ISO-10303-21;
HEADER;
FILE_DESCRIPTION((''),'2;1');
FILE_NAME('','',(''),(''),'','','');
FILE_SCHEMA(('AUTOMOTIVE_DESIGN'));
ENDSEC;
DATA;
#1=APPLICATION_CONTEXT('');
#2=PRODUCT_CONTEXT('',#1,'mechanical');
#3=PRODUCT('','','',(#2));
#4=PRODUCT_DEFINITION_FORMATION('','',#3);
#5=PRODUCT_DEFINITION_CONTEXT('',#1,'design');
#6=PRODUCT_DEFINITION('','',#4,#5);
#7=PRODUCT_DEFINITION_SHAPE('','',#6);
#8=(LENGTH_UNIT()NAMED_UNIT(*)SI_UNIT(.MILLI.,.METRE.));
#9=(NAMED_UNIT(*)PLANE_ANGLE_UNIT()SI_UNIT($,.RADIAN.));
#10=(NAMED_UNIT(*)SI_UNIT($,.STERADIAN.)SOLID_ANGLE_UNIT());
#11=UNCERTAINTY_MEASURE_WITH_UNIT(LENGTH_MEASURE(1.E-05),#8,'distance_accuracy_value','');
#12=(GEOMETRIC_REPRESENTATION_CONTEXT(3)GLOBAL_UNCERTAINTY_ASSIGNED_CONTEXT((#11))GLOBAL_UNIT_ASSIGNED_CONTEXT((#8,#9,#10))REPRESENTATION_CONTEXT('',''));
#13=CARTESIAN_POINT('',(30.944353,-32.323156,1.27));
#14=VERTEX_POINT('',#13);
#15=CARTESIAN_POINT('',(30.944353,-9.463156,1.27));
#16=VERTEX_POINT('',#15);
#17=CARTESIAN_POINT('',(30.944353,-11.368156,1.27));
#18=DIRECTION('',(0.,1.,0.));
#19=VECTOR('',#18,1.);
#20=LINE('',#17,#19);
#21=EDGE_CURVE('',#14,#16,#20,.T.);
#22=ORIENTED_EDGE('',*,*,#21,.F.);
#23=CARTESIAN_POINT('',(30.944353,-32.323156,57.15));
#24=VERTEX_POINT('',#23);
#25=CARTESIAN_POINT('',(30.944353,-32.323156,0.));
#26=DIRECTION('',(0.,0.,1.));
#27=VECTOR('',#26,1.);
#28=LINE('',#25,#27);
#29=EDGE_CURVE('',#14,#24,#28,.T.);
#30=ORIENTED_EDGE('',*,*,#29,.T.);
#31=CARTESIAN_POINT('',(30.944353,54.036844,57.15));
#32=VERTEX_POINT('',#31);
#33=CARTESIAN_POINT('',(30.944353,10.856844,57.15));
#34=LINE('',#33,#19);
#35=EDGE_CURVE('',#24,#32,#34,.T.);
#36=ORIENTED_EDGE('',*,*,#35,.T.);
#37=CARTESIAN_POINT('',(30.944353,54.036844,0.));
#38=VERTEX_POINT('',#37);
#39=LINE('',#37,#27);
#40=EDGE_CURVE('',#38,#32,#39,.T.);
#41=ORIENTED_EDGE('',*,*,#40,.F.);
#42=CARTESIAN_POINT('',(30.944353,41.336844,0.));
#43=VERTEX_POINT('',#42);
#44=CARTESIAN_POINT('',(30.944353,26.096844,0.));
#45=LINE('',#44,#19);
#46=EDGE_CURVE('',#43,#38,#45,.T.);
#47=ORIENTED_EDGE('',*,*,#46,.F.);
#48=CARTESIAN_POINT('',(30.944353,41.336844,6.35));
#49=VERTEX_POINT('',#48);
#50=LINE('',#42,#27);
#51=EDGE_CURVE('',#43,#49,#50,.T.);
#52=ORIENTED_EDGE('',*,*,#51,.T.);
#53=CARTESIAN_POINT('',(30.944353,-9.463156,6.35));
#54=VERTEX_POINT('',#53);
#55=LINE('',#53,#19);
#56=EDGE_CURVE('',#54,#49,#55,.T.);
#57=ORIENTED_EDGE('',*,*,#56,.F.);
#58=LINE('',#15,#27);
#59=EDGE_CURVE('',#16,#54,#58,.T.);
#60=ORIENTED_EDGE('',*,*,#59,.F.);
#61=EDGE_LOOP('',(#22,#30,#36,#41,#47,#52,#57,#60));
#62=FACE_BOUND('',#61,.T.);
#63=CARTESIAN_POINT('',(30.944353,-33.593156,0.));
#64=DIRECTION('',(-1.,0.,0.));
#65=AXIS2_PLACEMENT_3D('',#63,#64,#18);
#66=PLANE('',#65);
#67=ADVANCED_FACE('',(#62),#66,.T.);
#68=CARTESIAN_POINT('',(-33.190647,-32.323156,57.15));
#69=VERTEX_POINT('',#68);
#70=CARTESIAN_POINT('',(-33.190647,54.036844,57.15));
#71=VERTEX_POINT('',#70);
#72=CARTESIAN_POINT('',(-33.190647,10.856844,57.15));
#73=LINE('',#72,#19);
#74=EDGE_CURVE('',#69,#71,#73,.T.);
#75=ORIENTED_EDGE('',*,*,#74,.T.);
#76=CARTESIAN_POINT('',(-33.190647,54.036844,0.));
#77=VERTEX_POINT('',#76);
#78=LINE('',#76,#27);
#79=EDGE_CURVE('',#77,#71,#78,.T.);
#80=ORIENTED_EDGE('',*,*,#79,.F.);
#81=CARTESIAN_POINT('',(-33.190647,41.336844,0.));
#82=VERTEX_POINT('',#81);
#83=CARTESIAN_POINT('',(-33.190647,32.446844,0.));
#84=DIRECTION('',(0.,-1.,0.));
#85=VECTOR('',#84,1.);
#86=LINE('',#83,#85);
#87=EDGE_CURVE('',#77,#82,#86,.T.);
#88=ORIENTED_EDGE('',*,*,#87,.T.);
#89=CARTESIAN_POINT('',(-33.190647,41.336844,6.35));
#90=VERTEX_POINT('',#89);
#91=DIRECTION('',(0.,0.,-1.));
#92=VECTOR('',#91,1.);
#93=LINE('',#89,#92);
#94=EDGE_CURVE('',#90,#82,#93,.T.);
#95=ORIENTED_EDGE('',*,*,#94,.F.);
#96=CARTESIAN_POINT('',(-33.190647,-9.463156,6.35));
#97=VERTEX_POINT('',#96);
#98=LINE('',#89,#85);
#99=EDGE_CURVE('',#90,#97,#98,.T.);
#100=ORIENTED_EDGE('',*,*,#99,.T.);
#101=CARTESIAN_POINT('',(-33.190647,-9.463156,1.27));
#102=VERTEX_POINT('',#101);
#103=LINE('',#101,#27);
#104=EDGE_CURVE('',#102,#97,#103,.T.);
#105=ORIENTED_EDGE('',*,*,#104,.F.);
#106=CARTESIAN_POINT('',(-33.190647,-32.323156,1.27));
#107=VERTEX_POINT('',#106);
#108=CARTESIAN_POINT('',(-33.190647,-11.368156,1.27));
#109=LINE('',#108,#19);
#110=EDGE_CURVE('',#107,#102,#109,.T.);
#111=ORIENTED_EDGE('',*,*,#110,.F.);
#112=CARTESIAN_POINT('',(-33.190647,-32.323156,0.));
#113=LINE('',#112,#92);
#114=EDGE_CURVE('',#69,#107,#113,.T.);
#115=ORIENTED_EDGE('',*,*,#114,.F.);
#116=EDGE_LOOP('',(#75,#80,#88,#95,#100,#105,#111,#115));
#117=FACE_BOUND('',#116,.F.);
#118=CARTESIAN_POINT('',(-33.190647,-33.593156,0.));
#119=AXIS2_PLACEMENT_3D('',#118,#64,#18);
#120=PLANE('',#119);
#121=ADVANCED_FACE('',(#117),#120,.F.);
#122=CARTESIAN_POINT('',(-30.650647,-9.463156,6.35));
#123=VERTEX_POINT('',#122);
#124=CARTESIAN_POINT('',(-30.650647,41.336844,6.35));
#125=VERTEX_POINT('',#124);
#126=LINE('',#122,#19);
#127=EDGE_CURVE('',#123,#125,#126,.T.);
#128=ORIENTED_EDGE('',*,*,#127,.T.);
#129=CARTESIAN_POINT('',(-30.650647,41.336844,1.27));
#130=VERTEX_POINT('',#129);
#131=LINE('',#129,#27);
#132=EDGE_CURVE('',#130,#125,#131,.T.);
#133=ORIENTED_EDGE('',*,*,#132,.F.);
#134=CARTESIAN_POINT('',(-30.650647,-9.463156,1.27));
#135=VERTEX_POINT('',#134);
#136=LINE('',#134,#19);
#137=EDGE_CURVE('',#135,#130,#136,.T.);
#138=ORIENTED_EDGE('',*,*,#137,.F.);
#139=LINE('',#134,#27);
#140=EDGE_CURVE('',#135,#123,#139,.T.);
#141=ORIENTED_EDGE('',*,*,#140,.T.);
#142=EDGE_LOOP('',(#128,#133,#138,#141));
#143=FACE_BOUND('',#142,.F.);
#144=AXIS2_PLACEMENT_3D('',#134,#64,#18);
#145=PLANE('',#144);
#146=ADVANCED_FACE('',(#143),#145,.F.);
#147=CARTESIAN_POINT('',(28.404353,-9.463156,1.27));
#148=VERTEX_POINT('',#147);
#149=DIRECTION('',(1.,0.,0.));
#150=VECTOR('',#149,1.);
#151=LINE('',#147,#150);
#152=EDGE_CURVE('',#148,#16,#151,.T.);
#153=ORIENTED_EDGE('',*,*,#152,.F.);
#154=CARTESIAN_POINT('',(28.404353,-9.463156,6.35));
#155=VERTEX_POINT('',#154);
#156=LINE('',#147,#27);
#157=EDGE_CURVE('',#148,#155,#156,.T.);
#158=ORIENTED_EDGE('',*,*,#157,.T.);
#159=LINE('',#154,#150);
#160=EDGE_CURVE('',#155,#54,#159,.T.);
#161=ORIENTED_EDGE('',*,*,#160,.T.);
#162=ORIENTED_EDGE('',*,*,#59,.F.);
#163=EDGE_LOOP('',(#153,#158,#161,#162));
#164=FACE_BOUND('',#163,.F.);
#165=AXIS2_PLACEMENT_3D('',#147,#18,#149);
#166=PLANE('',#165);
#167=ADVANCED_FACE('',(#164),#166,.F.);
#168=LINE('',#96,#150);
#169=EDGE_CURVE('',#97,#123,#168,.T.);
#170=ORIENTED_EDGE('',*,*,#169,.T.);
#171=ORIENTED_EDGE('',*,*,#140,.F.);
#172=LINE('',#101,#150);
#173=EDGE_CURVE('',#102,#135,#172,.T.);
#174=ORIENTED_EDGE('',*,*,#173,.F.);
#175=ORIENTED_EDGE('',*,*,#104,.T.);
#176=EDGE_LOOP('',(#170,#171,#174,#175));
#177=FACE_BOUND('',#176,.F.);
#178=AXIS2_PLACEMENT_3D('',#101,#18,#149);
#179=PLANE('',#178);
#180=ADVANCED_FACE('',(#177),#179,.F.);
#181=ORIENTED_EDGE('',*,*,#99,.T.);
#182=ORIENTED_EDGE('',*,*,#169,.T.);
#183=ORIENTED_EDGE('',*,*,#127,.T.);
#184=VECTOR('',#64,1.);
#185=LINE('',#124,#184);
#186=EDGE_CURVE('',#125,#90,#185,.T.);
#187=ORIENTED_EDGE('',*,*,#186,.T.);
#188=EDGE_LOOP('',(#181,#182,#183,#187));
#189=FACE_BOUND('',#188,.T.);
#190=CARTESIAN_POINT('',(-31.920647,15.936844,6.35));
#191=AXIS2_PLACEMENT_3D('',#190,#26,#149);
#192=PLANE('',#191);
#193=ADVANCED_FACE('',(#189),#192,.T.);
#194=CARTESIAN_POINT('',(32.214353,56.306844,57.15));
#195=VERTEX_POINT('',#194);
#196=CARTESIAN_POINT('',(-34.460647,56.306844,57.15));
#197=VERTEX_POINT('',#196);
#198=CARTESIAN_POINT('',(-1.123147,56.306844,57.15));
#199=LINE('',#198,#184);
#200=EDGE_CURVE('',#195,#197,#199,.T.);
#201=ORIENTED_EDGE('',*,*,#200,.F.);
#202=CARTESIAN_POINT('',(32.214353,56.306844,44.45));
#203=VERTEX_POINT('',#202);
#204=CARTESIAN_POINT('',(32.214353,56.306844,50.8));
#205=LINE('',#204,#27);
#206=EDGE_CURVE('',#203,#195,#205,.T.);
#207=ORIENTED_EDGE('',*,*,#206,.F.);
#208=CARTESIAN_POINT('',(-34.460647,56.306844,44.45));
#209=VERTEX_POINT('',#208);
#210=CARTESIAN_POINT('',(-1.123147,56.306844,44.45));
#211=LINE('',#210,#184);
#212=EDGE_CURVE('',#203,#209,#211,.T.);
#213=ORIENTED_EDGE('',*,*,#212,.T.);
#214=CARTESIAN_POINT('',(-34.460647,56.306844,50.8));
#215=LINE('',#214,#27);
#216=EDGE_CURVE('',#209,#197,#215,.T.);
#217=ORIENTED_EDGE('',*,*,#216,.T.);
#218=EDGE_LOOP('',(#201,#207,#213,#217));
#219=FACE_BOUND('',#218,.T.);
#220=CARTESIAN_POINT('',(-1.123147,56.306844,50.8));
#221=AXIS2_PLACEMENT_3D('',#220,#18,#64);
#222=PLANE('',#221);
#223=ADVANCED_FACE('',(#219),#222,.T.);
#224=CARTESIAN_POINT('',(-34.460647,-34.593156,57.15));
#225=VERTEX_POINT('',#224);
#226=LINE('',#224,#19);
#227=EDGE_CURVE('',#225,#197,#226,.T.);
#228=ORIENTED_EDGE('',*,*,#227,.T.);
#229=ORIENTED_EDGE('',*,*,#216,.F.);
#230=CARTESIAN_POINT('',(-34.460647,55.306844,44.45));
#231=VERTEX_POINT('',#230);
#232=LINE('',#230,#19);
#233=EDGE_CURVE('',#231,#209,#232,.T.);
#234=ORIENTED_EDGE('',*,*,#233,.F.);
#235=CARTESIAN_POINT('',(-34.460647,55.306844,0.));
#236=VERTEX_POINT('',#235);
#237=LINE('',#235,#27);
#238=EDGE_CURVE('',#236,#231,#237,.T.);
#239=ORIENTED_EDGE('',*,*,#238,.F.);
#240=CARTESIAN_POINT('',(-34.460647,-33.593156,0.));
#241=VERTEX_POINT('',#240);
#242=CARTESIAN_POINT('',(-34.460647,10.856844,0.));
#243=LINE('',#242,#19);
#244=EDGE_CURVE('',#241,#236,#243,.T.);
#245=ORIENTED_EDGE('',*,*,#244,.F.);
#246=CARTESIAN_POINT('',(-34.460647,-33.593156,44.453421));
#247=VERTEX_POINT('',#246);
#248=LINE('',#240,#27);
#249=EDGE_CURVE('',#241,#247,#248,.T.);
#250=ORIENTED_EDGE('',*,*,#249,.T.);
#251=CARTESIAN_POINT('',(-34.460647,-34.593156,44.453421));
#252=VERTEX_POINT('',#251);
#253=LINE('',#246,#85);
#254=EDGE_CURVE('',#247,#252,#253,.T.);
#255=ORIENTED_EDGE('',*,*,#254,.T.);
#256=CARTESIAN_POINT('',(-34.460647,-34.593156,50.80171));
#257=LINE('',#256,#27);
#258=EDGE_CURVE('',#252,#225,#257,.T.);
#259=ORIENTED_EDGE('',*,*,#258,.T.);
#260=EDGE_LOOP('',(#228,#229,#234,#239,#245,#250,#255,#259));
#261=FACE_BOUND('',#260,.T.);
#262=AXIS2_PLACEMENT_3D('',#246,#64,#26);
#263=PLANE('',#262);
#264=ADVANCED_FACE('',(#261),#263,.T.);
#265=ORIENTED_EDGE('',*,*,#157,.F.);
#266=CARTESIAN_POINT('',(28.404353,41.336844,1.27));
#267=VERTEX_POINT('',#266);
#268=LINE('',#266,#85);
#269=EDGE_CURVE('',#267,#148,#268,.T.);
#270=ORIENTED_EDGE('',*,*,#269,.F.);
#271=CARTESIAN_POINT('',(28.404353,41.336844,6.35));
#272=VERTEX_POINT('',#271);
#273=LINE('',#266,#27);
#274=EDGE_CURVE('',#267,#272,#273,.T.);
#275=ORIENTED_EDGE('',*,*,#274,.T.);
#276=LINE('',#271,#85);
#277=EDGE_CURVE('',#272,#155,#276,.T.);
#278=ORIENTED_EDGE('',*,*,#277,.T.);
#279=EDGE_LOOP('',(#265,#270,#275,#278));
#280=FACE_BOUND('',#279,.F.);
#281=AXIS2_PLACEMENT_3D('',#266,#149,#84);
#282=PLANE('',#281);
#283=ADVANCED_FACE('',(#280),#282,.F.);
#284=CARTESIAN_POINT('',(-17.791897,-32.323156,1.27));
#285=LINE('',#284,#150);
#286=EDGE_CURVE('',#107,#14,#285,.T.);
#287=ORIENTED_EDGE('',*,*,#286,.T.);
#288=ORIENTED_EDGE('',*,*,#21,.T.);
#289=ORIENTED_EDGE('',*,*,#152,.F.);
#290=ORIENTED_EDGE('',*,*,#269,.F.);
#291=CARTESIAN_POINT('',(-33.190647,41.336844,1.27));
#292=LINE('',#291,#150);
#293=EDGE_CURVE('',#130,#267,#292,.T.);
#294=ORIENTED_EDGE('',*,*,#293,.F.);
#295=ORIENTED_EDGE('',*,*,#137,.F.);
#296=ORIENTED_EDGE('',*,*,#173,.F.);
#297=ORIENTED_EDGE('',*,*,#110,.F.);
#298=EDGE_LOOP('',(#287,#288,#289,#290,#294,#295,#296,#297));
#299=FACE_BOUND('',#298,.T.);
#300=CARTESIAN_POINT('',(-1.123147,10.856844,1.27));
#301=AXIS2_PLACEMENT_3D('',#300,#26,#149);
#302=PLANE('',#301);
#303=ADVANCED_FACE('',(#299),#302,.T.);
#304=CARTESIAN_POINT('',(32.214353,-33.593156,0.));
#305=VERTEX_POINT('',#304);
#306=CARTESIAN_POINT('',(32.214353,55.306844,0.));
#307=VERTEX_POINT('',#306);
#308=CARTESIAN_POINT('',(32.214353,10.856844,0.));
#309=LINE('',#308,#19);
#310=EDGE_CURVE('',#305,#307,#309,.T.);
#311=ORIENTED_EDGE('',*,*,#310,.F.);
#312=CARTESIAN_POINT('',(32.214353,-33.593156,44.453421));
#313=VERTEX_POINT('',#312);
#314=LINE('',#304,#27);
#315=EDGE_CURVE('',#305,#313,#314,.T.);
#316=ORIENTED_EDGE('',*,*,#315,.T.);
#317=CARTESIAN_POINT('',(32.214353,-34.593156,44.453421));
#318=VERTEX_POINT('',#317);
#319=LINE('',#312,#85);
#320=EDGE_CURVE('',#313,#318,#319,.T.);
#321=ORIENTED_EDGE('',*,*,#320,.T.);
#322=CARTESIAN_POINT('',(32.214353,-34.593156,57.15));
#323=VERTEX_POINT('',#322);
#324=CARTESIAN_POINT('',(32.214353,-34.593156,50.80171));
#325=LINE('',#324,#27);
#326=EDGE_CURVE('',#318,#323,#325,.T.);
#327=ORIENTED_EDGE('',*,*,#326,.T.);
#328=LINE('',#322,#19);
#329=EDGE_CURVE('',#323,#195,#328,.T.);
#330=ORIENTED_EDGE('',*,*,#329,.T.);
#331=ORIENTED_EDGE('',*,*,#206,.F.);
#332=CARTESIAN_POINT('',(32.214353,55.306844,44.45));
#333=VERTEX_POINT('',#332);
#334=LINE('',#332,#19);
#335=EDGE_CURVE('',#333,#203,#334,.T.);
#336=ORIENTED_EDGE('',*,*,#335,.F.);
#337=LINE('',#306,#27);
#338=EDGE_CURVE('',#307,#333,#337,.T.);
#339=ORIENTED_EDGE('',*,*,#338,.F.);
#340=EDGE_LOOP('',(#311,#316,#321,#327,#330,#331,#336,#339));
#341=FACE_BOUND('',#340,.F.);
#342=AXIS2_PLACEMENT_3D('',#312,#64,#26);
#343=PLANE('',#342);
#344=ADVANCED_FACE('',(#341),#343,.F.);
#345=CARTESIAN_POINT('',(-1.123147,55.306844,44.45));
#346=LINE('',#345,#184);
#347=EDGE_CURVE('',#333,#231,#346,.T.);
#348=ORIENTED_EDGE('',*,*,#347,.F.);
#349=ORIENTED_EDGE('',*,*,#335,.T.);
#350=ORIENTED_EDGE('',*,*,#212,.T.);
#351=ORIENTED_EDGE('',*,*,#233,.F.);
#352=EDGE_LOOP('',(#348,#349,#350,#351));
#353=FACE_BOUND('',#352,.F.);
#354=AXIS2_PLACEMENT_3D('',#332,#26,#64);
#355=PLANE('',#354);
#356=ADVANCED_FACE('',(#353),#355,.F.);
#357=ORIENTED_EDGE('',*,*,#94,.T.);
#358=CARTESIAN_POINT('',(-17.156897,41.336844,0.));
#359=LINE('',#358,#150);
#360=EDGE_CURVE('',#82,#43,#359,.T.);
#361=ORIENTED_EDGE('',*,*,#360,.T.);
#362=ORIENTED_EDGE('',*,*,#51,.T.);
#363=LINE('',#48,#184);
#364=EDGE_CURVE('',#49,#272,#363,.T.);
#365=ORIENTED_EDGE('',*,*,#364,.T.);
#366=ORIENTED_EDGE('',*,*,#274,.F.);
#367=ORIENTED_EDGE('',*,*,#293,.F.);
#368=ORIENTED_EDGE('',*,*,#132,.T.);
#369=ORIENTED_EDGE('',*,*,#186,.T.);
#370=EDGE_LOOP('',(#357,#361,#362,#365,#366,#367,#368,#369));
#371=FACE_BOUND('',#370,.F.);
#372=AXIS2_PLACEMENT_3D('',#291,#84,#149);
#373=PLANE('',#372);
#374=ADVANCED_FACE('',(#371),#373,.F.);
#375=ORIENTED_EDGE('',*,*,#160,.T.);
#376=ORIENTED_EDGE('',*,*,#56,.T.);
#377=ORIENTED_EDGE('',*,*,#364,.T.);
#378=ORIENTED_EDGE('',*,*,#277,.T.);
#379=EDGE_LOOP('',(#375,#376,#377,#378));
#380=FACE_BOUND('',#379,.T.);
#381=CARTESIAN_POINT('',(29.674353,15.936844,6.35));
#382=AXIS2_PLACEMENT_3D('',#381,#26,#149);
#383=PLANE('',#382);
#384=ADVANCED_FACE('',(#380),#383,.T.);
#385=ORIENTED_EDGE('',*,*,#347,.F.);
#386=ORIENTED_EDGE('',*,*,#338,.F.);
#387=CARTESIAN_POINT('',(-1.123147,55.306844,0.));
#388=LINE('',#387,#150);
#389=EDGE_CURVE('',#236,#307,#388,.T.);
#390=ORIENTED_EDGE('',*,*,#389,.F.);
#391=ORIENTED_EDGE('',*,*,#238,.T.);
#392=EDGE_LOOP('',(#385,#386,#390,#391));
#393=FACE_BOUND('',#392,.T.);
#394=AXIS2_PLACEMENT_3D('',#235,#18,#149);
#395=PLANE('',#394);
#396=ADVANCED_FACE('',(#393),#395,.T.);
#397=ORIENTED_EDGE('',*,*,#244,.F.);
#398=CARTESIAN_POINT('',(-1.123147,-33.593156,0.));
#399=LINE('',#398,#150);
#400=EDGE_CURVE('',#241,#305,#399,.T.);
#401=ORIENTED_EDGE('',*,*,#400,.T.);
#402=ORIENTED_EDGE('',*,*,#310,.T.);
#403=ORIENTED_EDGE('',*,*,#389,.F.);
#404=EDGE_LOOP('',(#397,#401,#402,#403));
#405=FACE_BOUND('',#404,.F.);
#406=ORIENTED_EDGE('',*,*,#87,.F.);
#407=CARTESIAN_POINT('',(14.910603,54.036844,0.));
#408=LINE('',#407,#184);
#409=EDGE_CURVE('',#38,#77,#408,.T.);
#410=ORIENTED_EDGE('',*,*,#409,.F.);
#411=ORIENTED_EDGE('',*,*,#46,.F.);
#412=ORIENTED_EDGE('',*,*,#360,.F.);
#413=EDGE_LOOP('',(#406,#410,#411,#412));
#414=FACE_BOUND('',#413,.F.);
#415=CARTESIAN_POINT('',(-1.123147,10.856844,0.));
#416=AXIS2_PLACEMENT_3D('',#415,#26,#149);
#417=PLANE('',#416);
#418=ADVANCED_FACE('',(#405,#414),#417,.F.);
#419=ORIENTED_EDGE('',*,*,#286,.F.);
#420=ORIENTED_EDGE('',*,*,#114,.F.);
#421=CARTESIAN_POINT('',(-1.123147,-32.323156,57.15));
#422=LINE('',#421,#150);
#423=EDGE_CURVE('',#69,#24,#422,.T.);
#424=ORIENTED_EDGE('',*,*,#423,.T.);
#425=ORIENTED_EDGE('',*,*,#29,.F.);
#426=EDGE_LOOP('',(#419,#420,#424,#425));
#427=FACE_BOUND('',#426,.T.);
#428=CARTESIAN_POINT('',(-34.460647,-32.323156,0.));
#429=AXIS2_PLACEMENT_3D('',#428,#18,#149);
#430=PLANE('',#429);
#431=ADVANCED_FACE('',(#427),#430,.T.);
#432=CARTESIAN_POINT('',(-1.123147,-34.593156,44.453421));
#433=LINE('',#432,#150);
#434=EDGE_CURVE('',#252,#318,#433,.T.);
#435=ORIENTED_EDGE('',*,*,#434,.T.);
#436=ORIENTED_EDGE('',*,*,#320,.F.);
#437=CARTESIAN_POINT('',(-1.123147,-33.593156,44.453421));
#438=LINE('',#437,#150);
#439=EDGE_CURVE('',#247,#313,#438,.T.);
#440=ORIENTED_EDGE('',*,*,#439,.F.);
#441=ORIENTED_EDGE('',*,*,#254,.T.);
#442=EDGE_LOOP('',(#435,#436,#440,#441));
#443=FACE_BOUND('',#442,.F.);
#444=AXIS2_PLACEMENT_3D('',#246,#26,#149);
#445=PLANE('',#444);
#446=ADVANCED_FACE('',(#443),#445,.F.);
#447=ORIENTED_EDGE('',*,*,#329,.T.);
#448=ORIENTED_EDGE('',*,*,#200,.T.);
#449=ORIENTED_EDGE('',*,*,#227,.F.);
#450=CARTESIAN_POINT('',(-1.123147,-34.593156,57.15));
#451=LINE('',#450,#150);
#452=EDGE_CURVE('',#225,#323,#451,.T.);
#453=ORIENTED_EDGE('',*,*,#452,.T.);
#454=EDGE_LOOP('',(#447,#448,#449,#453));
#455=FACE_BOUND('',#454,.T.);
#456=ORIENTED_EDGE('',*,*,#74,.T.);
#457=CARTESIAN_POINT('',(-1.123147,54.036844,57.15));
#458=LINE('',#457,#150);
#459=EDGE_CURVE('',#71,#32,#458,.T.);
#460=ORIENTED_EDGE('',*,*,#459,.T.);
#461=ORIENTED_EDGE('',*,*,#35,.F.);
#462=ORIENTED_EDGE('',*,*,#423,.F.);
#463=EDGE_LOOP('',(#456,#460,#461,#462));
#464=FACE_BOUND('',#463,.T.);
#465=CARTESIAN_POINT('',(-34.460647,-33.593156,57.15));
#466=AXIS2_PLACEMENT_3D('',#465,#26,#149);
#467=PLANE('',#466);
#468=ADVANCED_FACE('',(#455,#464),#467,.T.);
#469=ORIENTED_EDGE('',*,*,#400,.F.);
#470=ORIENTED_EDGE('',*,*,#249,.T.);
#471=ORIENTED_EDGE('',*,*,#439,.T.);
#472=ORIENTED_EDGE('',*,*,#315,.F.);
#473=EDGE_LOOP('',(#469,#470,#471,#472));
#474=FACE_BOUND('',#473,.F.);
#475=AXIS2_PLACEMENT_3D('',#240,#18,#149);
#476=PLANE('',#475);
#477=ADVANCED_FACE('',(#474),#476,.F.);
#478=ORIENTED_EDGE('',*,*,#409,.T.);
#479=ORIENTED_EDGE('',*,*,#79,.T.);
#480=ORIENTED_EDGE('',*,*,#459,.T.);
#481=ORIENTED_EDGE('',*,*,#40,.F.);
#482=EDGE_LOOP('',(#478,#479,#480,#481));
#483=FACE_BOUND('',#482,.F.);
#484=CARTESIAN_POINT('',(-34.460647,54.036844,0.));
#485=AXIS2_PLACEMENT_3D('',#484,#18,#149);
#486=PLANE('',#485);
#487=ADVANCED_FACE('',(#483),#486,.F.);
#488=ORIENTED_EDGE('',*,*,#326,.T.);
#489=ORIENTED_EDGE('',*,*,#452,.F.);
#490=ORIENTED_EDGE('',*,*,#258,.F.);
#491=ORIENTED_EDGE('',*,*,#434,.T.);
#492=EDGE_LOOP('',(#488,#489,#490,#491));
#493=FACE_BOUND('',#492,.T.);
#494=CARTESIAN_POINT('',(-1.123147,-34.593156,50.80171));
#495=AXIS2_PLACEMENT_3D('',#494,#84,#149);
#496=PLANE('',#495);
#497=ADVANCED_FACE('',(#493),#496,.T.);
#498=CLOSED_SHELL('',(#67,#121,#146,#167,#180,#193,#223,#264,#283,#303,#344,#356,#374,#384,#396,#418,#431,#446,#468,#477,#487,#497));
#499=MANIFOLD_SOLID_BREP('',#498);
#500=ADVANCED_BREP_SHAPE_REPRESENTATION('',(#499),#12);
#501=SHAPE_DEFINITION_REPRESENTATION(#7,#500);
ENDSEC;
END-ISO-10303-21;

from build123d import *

# Parameters (mm, degrees)
F0_W     = 66.675
F0_H     = 88.9
F1_DEPTH = 57.15
F2_T     = -1.27
F4_DEPTH = 5.08
F5_W     = 66.675
F5_H     = 12.7
F6_DEPTH = 1
F7_W     = 66.675
F7_H     = 12.6965791702
F8_DEPTH = 1
F9_DEPTH = 25.4


with BuildPart() as f1:
    # F0 (on Top) → F1 (new body)
    with BuildSketch(Plane.XY):
        with Locations((-1.1231470853, 10.8568438743)):
            Rectangle(F0_W, F0_H)
    extrude(amount=F1_DEPTH)

    # F2
    f2_openings = [f1.faces().sort_by_distance(p)[0] for p in [
        (-1.123147, 10.856844, 57.15),
    ]]
    offset(amount=F2_T, openings=f2_openings)

    # F3 (on face) → F4 (join)
    with BuildSketch(Plane.XY.offset(1.27)):
        Polygon((30.9443529147, 41.3368438743), (28.4043529147, 41.3368438743), (28.4043529147, -0.1921561257), (28.4043529147, -3.3671561257), (28.4043529147, -9.4631561257), (30.9443529147, -9.4631561257), align=None)
        Polygon((-30.6506470853, 41.3368438743), (-33.1906470853, 41.3368438743), (-33.1906470853, -9.4631561257), (-30.6506470853, -9.4631561257), (-30.6506470853, -3.3671561257), (-30.6506470853, -0.1921561257), align=None)
    extrude(amount=F4_DEPTH)

    # F5 (on face) → F6 (join)
    with BuildSketch(Plane(origin=(0, 55.3068438743, 0), x_dir=(-1, 0, 0), z_dir=(0, 1, 0))):
        with Locations((1.1231470853, 50.8)):
            Rectangle(F5_W, F5_H)
    extrude(amount=F6_DEPTH)

    # F7 (on face) → F8 (join)
    with BuildSketch(Plane.XZ.offset(33.5931561257)):
        with Locations((-1.1231470853, 50.8017104149)):
            Rectangle(F7_W, F7_H)
    extrude(amount=F8_DEPTH)

    # F3 (on face) → F9 (cut)
    with BuildSketch(Plane.XY.offset(1.27)):
        Polygon((-33.1906470853, 54.0368438743), (-33.1906470853, 41.3368438743), (-30.6506470853, 41.3368438743), (28.4043529147, 41.3368438743), (30.9443529147, 41.3368438743), (30.9443529147, 54.0368438743), align=None)
    extrude(amount=-F9_DEPTH, mode=Mode.SUBTRACT)


solid = f1.part
